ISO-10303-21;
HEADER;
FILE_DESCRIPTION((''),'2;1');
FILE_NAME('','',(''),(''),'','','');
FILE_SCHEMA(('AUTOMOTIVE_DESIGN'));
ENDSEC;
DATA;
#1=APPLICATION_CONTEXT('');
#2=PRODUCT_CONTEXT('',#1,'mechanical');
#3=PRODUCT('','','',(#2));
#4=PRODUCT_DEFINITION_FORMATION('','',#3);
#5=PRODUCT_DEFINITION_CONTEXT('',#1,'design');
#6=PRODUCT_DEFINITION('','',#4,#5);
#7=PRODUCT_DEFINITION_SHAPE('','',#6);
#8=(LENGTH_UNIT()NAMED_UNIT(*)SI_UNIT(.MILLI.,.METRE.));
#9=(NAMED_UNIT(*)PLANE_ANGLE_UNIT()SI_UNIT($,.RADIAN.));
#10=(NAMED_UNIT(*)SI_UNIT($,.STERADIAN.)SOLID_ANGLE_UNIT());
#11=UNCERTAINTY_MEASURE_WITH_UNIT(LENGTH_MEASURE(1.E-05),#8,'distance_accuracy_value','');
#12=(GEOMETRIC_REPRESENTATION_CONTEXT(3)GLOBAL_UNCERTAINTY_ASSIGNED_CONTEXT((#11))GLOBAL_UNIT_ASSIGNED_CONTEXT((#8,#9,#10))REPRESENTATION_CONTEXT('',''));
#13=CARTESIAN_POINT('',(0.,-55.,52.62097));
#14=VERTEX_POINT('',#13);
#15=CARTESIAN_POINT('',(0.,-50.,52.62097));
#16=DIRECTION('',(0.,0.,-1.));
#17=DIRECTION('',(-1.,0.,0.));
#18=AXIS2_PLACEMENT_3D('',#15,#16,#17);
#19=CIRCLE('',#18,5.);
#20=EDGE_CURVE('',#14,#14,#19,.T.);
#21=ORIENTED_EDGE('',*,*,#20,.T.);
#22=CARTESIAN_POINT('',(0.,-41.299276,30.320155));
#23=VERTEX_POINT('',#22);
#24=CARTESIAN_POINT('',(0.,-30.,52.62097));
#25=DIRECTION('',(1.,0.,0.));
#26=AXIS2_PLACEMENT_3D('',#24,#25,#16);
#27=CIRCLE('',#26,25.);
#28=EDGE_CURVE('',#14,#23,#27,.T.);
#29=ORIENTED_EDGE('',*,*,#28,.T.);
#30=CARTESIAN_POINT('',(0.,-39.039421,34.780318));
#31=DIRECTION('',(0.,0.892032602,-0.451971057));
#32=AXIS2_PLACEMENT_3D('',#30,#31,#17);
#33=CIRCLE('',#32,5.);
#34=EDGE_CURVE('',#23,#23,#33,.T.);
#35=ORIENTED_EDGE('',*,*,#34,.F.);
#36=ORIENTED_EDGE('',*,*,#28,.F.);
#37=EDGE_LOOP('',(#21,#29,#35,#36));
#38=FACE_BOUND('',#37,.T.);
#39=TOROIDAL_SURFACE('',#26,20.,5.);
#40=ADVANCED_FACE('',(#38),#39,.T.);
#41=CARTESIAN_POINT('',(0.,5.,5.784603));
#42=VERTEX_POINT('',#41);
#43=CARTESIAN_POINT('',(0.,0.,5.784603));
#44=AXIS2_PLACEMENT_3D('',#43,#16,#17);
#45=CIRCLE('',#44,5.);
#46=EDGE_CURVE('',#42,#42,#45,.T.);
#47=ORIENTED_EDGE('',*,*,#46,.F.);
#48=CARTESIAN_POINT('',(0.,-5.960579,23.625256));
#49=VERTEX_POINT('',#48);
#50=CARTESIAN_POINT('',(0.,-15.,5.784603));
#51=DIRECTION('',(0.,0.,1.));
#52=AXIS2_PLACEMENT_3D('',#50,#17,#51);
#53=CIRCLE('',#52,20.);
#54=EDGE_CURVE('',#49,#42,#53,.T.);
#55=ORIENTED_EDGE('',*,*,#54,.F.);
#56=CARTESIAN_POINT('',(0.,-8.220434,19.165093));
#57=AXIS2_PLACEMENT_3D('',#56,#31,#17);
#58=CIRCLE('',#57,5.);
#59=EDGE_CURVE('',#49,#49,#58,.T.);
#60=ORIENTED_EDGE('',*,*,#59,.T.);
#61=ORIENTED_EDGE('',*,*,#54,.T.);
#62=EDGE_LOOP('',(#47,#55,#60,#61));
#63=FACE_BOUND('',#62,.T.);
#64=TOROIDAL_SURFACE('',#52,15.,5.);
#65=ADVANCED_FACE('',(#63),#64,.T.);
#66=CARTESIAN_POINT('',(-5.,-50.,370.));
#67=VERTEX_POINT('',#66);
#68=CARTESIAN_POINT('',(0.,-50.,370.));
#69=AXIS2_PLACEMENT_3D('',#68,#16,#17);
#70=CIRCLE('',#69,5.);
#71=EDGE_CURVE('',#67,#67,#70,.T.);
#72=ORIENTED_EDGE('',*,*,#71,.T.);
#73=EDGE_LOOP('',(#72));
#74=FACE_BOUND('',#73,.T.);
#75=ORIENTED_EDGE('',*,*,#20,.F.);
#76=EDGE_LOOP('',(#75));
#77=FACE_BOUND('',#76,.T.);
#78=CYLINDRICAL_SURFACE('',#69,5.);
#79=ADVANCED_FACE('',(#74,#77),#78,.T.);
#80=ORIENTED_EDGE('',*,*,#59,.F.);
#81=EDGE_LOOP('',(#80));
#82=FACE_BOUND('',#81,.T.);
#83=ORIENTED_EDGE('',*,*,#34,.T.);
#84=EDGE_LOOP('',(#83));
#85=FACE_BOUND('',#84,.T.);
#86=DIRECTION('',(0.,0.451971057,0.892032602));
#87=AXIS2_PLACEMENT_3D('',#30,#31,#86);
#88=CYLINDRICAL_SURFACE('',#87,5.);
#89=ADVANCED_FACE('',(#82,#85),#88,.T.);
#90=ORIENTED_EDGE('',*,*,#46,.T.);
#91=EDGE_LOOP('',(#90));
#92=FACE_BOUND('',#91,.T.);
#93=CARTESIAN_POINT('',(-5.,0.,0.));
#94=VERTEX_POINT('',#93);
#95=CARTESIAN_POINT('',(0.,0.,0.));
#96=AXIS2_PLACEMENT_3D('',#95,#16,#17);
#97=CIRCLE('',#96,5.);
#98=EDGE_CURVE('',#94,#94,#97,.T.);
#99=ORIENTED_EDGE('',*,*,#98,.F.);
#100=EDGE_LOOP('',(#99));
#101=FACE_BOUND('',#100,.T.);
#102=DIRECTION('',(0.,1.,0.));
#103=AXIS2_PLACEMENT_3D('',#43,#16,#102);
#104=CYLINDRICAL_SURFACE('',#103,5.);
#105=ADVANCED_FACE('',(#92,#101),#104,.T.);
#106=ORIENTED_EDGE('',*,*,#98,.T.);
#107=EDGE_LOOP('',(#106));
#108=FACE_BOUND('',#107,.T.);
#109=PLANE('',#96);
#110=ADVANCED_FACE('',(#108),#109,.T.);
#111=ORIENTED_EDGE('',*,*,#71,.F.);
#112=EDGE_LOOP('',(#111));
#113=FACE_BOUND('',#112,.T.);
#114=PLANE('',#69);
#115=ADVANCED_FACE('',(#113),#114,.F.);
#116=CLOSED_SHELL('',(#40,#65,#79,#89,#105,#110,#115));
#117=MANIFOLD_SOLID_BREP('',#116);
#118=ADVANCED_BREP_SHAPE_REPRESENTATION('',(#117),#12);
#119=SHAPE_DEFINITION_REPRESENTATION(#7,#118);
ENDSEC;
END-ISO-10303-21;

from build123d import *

# Parameters (mm, degrees)
SWEEP1_PROFILE_R = 5


with BuildPart() as part:
    # Sweep1: sweep along a path in Sketch1
    with BuildLine(Plane(origin=(0, 0, 0), x_dir=(0, 0, -1), z_dir=(1, 0, 0))) as sweep1_path:
        Line((0, 0), (-5.784603478, 0))
        ThreePointArc((-5.784603478, 0), (-13.636562217, -2.219282338), (-19.16509251, -8.22043414))
        Line((-19.16509251, -8.22043414), (-34.780317907, -39.039421147))
        ThreePointArc((-34.780317907, -39.039421147), (-42.15169163, -47.040956882), (-52.62096995, -50))
        Line((-52.62096995, -50), (-370, -50))
    # Sweep1 profile (on start of the path) → Sweep1 (sweep)
    with BuildSketch(Plane(origin=(0, 0, 0), x_dir=(0, 1, 0), z_dir=(0, 0, 1))):
        Circle(SWEEP1_PROFILE_R)
    sweep(path=sweep1_path.line)


solid = part.part
